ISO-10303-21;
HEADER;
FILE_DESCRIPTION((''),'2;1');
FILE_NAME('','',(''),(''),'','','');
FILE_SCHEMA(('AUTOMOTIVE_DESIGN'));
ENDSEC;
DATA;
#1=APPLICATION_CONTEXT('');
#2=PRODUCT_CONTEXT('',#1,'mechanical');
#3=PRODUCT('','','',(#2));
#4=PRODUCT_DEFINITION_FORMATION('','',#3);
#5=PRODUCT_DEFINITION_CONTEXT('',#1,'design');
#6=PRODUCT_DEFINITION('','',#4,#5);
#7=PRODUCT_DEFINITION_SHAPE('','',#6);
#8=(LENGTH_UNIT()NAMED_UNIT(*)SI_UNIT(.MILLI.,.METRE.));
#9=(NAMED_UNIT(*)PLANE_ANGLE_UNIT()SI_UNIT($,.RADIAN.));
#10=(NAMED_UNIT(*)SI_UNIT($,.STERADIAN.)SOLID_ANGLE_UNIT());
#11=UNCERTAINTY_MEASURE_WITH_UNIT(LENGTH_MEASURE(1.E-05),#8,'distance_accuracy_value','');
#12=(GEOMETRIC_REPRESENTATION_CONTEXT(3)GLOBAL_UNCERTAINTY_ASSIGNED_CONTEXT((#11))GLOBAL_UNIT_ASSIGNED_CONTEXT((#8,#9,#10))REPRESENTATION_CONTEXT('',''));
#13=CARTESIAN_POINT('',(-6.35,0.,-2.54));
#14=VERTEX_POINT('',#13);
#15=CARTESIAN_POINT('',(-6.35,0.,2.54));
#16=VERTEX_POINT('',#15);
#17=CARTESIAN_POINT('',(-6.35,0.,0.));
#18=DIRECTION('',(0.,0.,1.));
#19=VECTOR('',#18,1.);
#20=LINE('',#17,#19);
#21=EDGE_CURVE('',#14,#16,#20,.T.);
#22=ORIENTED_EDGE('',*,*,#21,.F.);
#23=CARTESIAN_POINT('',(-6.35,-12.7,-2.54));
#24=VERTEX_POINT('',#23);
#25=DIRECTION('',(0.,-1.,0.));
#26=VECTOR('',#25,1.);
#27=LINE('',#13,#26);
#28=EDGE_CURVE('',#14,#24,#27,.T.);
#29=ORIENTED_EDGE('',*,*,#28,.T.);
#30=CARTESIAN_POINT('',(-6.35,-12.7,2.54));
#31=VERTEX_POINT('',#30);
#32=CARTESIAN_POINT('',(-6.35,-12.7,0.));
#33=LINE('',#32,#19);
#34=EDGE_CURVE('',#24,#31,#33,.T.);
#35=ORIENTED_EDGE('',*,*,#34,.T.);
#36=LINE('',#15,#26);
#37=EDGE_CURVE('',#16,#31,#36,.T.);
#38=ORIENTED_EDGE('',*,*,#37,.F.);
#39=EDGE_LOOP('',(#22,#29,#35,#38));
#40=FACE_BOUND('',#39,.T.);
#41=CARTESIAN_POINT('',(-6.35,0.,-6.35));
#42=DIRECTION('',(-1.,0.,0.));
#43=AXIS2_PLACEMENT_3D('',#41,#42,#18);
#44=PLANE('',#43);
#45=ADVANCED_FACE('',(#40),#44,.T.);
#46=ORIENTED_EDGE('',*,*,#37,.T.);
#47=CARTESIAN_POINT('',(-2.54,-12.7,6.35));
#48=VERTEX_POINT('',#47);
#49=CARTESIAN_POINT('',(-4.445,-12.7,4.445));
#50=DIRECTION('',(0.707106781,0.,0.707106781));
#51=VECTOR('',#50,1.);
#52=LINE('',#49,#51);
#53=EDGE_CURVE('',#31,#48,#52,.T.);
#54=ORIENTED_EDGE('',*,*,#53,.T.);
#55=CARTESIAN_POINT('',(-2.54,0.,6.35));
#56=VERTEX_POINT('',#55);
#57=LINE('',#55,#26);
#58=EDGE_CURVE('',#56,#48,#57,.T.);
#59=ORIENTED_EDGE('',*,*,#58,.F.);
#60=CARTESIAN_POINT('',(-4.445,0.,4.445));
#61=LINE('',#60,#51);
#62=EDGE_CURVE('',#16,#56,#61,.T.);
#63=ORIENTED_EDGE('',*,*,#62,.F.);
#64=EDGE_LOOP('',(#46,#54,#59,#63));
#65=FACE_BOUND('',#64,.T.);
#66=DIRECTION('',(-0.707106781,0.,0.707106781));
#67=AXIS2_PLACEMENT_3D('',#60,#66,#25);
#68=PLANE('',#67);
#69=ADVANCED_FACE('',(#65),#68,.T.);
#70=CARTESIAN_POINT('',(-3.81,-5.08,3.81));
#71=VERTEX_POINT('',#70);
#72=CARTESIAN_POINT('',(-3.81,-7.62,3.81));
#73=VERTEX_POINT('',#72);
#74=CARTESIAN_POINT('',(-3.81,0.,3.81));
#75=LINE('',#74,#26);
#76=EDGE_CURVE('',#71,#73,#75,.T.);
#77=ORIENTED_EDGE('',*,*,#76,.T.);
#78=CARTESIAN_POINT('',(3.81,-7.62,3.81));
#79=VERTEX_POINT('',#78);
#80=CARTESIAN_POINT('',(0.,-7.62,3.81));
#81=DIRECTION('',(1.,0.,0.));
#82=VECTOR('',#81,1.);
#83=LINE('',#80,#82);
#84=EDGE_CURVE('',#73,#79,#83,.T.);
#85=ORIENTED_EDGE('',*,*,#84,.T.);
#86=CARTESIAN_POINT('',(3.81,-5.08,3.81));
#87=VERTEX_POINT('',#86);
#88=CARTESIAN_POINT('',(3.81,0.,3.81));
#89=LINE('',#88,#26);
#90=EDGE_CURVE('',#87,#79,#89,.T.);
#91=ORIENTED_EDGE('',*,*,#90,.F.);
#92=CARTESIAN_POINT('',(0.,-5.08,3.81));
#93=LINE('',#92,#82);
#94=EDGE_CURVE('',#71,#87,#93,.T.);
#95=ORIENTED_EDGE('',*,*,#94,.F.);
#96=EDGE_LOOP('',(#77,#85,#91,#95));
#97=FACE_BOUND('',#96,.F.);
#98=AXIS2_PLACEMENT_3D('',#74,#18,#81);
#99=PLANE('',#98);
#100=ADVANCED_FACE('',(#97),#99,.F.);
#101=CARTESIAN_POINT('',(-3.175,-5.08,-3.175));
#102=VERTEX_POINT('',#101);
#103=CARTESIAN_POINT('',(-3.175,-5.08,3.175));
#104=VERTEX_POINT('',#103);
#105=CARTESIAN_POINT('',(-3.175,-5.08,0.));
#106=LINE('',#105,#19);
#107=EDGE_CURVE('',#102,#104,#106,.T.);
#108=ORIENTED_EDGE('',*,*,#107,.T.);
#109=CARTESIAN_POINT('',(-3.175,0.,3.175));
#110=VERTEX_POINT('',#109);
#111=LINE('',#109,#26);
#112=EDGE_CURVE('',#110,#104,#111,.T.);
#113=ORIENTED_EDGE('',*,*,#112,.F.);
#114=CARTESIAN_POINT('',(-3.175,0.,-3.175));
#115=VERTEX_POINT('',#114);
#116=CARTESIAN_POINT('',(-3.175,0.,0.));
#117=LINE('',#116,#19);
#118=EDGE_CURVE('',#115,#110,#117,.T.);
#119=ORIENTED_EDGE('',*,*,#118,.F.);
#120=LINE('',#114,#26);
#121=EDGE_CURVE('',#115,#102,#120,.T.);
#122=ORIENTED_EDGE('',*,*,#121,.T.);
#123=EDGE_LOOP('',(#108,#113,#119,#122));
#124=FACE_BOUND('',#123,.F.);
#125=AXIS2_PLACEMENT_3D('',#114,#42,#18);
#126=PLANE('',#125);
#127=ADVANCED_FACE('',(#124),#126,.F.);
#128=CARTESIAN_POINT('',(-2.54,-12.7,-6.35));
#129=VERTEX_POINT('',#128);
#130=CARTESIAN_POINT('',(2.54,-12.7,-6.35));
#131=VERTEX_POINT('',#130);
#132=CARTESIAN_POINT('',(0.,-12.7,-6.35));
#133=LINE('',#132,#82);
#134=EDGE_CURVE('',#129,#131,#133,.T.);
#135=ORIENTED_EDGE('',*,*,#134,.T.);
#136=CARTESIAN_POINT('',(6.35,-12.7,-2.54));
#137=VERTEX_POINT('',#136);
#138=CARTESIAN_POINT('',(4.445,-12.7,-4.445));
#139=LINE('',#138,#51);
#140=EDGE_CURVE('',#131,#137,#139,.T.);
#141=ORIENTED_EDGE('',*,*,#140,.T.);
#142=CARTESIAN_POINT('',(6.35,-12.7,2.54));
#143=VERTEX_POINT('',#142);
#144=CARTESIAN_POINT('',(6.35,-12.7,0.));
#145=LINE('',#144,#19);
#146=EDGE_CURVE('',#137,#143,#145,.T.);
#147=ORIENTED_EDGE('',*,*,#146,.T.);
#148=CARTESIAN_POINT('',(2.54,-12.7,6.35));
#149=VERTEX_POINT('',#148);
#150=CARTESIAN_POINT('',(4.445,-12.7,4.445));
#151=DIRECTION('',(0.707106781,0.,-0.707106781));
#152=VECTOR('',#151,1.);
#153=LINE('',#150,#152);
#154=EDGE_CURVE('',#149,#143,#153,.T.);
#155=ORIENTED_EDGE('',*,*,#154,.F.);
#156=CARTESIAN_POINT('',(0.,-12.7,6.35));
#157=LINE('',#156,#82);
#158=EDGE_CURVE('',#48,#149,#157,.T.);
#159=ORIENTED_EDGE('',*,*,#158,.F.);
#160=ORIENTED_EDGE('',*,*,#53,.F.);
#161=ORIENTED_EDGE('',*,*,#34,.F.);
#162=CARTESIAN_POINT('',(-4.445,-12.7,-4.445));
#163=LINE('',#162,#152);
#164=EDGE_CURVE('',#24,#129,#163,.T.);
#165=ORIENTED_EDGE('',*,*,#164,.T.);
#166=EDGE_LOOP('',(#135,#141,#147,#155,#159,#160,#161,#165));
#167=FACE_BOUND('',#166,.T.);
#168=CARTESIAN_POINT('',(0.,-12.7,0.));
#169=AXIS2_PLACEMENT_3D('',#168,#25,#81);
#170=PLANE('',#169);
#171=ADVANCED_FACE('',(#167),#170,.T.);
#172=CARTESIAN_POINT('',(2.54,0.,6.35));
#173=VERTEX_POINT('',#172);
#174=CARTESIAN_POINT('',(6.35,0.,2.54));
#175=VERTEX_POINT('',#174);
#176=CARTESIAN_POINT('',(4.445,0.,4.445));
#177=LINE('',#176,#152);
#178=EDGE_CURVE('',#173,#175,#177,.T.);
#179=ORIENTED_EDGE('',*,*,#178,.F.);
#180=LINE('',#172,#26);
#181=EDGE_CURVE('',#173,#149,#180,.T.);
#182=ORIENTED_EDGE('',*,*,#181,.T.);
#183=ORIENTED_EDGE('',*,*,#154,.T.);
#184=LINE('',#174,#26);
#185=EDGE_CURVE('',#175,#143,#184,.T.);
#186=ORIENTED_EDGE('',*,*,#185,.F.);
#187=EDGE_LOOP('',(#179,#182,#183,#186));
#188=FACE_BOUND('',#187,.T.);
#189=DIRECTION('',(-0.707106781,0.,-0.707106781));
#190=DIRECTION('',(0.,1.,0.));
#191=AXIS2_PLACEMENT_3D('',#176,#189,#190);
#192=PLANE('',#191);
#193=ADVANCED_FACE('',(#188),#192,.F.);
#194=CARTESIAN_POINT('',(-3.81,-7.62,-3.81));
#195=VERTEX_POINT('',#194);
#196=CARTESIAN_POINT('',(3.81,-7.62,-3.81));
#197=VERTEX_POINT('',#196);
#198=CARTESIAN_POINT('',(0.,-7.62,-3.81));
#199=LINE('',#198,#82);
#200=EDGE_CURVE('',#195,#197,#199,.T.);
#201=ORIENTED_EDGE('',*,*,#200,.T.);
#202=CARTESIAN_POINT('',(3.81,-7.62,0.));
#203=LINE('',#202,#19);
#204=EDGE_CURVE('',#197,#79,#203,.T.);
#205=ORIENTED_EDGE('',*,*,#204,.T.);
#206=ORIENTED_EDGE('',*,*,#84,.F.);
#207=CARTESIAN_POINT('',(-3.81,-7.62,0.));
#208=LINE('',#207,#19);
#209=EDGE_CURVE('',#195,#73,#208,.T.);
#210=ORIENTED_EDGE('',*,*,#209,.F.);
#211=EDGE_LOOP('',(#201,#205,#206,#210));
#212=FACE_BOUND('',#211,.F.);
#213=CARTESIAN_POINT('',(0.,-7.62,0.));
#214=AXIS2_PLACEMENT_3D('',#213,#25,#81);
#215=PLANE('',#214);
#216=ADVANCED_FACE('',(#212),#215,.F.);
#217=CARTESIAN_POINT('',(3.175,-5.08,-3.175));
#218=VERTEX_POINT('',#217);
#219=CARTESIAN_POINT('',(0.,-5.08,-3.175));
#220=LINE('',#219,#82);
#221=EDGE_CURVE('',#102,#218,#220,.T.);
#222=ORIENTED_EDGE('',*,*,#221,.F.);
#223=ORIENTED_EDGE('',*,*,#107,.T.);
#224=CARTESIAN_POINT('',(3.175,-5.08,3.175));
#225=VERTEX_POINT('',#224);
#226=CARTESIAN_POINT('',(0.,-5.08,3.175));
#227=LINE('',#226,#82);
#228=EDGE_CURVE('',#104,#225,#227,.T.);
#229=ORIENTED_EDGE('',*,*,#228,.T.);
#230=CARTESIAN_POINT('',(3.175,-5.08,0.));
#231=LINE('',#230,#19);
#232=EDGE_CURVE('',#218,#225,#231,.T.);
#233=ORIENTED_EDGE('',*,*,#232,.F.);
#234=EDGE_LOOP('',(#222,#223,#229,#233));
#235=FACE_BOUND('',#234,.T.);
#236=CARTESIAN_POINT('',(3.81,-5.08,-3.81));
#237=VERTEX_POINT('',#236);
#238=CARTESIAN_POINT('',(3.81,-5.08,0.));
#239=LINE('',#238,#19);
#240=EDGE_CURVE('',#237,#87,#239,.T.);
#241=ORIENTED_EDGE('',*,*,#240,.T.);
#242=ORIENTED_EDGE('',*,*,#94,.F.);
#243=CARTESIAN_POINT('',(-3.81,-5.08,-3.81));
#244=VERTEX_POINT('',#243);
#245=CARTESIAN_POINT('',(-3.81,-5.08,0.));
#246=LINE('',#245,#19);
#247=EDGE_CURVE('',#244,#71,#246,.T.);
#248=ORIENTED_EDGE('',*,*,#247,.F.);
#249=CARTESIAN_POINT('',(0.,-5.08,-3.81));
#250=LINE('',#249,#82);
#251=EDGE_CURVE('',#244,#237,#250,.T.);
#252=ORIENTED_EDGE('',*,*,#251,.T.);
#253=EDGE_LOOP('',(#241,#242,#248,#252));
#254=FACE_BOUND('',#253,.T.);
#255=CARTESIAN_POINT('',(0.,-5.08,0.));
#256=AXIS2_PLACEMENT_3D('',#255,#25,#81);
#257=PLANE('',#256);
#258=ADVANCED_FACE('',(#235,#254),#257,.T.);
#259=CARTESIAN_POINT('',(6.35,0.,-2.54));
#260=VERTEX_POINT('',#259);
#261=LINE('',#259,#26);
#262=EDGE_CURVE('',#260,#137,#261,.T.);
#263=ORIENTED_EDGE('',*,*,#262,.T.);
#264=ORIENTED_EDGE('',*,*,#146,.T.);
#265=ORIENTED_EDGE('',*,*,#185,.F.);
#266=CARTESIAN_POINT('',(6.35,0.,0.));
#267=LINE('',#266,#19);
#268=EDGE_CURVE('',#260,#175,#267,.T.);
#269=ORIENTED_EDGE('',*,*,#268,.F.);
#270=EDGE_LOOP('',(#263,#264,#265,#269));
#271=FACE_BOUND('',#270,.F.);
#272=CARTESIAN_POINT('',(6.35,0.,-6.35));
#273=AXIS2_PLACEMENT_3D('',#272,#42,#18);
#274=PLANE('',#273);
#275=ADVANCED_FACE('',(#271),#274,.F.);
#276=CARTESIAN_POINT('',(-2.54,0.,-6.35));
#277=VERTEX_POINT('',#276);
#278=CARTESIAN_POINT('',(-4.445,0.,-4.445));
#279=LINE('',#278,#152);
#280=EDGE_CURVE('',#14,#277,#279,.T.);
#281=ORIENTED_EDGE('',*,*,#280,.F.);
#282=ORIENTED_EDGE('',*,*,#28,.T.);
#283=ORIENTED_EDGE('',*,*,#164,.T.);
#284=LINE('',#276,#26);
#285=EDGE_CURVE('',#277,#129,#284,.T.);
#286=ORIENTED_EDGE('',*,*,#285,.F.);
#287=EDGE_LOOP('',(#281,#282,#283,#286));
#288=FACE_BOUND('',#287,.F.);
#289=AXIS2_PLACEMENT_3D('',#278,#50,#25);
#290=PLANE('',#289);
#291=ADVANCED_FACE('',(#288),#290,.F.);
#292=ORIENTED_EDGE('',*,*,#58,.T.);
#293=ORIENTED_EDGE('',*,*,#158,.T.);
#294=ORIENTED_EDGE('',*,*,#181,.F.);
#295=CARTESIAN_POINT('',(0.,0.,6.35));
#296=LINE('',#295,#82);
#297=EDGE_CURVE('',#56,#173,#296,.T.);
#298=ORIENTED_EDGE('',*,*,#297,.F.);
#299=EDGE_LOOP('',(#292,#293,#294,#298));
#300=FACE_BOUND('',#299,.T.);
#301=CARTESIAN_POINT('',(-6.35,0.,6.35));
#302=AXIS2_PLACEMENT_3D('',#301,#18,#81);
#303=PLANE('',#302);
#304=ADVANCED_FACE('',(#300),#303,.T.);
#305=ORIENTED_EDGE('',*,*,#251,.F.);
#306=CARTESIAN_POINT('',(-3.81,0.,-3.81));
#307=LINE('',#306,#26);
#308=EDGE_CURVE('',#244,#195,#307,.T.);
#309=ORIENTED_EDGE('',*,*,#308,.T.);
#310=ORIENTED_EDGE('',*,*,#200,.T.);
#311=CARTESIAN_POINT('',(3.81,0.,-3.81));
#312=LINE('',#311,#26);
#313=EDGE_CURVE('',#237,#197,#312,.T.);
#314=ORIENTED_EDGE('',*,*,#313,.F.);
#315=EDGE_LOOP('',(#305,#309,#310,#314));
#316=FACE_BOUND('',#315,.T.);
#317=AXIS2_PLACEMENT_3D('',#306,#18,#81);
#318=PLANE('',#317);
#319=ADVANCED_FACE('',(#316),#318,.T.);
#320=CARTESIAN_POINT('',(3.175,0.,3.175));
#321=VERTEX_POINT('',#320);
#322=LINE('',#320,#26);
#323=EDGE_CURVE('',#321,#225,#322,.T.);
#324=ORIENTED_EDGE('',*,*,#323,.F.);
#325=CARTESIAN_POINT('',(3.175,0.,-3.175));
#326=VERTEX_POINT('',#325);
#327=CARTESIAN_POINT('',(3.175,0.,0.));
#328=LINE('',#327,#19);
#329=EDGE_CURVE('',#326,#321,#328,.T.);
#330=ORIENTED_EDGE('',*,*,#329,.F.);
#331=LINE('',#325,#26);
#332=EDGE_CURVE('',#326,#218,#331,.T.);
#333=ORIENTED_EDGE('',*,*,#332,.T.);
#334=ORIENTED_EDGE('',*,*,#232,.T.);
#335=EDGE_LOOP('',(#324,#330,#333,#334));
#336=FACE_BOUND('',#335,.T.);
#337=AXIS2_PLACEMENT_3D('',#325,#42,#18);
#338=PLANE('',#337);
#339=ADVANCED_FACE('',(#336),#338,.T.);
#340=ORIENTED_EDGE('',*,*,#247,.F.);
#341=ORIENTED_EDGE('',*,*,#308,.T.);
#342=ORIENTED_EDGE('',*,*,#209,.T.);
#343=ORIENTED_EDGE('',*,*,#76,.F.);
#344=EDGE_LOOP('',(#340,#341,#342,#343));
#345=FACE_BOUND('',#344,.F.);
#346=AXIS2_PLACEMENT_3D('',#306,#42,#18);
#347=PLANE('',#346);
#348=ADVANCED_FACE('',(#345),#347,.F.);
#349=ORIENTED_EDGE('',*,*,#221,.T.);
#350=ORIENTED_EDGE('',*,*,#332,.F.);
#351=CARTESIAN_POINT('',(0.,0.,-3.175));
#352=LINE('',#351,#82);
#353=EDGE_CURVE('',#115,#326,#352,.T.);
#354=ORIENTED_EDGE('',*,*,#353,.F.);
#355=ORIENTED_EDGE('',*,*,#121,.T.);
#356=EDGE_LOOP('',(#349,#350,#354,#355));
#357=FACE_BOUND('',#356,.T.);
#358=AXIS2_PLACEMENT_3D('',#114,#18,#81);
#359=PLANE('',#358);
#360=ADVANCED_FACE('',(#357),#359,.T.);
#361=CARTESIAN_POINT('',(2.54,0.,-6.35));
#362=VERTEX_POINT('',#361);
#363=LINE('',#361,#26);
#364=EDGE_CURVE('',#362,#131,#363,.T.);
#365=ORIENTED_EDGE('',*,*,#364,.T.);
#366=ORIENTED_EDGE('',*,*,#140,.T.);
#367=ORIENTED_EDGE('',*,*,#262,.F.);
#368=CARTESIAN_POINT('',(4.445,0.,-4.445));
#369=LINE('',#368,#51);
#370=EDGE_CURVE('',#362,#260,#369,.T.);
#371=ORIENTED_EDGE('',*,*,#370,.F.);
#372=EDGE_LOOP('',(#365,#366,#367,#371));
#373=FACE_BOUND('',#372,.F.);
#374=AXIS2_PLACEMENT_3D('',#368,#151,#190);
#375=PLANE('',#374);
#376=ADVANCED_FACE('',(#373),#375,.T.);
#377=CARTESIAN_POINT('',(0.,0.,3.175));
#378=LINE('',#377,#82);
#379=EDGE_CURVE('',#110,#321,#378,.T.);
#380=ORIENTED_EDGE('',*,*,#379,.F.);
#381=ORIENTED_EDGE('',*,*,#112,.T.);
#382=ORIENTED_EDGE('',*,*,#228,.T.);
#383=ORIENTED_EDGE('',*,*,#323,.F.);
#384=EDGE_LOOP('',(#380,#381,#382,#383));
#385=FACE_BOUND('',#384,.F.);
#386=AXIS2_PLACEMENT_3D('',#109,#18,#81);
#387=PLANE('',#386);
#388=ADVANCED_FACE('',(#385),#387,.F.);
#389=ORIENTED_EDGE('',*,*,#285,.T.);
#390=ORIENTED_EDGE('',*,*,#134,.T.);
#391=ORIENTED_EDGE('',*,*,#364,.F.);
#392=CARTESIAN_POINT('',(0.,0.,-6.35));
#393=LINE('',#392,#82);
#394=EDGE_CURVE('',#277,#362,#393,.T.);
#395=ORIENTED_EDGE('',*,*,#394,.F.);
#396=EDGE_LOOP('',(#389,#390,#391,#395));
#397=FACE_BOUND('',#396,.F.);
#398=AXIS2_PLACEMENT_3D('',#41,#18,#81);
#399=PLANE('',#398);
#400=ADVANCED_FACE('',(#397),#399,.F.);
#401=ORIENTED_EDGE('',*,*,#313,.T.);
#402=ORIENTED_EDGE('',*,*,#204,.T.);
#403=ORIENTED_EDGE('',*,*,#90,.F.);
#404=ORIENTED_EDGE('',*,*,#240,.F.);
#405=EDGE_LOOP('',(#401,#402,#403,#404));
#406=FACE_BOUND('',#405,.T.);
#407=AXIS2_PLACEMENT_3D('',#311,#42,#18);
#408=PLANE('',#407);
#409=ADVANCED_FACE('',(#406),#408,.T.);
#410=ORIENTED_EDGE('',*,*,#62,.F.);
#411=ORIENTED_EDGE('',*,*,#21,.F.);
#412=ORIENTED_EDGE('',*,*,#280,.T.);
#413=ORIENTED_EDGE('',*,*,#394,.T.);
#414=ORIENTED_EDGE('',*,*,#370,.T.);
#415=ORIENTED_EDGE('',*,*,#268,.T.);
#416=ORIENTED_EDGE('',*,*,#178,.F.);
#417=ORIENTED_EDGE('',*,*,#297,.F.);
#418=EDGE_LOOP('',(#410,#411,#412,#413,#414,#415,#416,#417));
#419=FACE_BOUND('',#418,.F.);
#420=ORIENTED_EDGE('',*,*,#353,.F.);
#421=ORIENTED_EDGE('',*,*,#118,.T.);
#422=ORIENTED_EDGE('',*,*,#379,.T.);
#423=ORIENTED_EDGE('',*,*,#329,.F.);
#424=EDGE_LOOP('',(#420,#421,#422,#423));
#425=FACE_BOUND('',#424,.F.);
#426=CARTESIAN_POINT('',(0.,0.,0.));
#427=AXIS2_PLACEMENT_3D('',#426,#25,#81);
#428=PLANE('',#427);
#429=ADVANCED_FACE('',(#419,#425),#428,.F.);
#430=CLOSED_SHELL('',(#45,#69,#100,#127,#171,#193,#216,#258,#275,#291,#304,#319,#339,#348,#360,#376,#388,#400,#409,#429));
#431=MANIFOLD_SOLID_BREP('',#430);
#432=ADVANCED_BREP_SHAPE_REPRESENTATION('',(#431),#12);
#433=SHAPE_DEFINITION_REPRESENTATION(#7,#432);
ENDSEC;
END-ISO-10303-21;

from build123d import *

# Parameters (mm, degrees)
F0_W     = 12.7
F0_H     = 12.7
F0_W_2   = 7.62
F0_H_2   = 7.62
F0_W_3   = 6.35
F0_H_3   = 6.35
F1_DEPTH = 12.7
F2_DEPTH = 7.62
F3_DEPTH = 7.62
F4_DEPTH = 5.08
F5_SIZE  = 3.81


with BuildPart() as f1:
    # F0 (on Front) → F1 (new body)
    with BuildSketch(Plane.XZ):
        Rectangle(F0_W, F0_H)
        Rectangle(F0_W_2, F0_H_2, mode=Mode.SUBTRACT)
        Rectangle(F0_W_2, F0_H_2)
        Rectangle(F0_W_3, F0_H_3, mode=Mode.SUBTRACT)
        Rectangle(F0_W_3, F0_H_3)
    extrude(amount=F1_DEPTH)

    # F0 (on Front) → F2 (cut)
    with BuildSketch(Plane.XZ):
        Rectangle(F0_W_3, F0_H_3)
    extrude(amount=F2_DEPTH, mode=Mode.SUBTRACT)

    # F0 (on Front) → F3 (cut)
    with BuildSketch(Plane.XZ):
        Rectangle(F0_W_2, F0_H_2)
        Rectangle(F0_W_3, F0_H_3, mode=Mode.SUBTRACT)
    extrude(amount=F3_DEPTH, mode=Mode.SUBTRACT)

    # F0 (on Front) → F4 (join)
    with BuildSketch(Plane.XZ):
        Rectangle(F0_W_2, F0_H_2)
        Rectangle(F0_W_3, F0_H_3, mode=Mode.SUBTRACT)
    extrude(amount=F4_DEPTH)

    # F5
    f5_edges = [f1.edges().sort_by_distance(p)[0] for p in [
        (-6.35, -6.35, -6.35),
        (6.35, -6.35, -6.35),
        (6.35, -6.35, 6.35),
        (-6.35, -6.35, 6.35),
    ]]
    chamfer(f5_edges, length=F5_SIZE)


solid = f1.part
